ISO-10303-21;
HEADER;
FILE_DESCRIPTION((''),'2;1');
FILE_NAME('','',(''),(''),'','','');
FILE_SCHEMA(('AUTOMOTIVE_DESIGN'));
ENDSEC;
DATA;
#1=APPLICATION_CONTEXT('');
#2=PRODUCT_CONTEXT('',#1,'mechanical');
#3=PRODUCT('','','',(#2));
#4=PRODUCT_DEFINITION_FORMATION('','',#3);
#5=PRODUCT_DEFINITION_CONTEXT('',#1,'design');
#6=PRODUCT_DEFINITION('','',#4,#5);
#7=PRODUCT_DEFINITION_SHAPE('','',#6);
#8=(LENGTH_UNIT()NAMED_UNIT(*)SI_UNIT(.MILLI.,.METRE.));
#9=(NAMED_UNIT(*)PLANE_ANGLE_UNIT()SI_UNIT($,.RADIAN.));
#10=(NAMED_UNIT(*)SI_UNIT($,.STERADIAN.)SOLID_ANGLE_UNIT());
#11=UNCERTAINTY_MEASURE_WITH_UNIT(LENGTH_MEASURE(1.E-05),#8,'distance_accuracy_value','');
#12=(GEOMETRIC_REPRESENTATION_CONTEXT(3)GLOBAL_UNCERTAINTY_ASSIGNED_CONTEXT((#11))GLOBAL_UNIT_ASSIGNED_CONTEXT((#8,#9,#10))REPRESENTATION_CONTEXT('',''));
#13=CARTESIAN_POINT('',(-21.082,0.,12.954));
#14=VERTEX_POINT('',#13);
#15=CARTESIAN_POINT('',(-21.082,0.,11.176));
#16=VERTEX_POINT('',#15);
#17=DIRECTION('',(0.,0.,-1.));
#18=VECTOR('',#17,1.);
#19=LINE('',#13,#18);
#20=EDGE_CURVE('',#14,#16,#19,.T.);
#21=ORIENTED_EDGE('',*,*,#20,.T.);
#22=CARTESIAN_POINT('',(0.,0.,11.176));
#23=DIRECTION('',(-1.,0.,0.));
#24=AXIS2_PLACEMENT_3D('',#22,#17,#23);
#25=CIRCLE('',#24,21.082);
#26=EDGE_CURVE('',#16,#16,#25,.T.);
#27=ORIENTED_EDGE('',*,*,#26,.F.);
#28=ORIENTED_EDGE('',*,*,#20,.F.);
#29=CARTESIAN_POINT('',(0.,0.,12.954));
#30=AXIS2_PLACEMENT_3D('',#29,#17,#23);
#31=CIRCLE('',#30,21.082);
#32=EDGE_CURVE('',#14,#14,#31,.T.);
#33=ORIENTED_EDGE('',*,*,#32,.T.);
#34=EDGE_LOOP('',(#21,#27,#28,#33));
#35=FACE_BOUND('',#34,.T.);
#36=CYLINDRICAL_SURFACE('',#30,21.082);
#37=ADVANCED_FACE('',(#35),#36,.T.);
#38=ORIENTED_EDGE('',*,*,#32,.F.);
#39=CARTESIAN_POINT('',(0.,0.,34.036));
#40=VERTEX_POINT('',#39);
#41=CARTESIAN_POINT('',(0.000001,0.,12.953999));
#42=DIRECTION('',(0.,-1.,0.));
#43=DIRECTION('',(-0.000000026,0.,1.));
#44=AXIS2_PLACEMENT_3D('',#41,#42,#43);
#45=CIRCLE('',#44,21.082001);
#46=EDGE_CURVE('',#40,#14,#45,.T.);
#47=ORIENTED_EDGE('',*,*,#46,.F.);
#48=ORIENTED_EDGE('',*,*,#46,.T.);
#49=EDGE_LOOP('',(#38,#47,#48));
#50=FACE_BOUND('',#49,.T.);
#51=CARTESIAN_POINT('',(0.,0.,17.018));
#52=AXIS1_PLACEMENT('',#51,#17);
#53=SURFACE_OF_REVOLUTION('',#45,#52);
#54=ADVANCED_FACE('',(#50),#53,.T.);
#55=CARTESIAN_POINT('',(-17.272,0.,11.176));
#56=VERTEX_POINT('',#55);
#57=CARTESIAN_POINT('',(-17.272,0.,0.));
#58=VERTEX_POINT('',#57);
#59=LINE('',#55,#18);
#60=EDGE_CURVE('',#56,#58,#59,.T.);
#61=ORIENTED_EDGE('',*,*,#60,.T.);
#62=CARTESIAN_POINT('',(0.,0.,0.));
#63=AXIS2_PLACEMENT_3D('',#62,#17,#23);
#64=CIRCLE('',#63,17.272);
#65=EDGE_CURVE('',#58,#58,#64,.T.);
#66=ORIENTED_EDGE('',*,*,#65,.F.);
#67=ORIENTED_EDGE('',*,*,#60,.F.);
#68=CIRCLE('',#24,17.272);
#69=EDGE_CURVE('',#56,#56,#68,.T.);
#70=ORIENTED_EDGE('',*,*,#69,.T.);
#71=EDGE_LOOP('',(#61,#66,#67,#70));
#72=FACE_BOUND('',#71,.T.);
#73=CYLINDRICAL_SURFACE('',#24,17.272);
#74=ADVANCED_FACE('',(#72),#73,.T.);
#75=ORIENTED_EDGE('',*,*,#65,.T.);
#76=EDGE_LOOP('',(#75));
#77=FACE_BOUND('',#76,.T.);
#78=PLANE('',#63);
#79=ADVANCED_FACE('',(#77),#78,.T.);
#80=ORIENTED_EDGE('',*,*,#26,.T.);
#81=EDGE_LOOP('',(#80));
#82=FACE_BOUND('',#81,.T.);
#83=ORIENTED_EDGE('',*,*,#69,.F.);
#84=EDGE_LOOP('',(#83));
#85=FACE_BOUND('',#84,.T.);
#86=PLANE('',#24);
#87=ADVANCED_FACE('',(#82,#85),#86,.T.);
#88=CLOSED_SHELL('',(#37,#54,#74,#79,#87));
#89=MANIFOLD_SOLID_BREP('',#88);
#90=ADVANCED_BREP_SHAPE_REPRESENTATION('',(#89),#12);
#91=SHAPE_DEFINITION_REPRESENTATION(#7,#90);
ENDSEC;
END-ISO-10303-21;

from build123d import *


with BuildPart() as f1:
    # F0 (on Front) → F1 (revolve)
    with BuildSketch(Plane.XZ):
        with BuildLine():
            Line((-17.272, 11.176), (-17.272, 0))
            Line((-17.272, 0), (0, 0))
            Line((0, 0), (0, 34.036))
            ThreePointArc((0, 34.036), (-14.907225, 27.861225), (-21.082, 12.954))
            Line((-21.082, 12.954), (-21.082, 11.176))
            Line((-21.082, 11.176), (-17.272, 11.176))
        make_face()
    revolve(axis=Axis((0, 0, 17.018), (0, 0, -1)))


solid = f1.part
